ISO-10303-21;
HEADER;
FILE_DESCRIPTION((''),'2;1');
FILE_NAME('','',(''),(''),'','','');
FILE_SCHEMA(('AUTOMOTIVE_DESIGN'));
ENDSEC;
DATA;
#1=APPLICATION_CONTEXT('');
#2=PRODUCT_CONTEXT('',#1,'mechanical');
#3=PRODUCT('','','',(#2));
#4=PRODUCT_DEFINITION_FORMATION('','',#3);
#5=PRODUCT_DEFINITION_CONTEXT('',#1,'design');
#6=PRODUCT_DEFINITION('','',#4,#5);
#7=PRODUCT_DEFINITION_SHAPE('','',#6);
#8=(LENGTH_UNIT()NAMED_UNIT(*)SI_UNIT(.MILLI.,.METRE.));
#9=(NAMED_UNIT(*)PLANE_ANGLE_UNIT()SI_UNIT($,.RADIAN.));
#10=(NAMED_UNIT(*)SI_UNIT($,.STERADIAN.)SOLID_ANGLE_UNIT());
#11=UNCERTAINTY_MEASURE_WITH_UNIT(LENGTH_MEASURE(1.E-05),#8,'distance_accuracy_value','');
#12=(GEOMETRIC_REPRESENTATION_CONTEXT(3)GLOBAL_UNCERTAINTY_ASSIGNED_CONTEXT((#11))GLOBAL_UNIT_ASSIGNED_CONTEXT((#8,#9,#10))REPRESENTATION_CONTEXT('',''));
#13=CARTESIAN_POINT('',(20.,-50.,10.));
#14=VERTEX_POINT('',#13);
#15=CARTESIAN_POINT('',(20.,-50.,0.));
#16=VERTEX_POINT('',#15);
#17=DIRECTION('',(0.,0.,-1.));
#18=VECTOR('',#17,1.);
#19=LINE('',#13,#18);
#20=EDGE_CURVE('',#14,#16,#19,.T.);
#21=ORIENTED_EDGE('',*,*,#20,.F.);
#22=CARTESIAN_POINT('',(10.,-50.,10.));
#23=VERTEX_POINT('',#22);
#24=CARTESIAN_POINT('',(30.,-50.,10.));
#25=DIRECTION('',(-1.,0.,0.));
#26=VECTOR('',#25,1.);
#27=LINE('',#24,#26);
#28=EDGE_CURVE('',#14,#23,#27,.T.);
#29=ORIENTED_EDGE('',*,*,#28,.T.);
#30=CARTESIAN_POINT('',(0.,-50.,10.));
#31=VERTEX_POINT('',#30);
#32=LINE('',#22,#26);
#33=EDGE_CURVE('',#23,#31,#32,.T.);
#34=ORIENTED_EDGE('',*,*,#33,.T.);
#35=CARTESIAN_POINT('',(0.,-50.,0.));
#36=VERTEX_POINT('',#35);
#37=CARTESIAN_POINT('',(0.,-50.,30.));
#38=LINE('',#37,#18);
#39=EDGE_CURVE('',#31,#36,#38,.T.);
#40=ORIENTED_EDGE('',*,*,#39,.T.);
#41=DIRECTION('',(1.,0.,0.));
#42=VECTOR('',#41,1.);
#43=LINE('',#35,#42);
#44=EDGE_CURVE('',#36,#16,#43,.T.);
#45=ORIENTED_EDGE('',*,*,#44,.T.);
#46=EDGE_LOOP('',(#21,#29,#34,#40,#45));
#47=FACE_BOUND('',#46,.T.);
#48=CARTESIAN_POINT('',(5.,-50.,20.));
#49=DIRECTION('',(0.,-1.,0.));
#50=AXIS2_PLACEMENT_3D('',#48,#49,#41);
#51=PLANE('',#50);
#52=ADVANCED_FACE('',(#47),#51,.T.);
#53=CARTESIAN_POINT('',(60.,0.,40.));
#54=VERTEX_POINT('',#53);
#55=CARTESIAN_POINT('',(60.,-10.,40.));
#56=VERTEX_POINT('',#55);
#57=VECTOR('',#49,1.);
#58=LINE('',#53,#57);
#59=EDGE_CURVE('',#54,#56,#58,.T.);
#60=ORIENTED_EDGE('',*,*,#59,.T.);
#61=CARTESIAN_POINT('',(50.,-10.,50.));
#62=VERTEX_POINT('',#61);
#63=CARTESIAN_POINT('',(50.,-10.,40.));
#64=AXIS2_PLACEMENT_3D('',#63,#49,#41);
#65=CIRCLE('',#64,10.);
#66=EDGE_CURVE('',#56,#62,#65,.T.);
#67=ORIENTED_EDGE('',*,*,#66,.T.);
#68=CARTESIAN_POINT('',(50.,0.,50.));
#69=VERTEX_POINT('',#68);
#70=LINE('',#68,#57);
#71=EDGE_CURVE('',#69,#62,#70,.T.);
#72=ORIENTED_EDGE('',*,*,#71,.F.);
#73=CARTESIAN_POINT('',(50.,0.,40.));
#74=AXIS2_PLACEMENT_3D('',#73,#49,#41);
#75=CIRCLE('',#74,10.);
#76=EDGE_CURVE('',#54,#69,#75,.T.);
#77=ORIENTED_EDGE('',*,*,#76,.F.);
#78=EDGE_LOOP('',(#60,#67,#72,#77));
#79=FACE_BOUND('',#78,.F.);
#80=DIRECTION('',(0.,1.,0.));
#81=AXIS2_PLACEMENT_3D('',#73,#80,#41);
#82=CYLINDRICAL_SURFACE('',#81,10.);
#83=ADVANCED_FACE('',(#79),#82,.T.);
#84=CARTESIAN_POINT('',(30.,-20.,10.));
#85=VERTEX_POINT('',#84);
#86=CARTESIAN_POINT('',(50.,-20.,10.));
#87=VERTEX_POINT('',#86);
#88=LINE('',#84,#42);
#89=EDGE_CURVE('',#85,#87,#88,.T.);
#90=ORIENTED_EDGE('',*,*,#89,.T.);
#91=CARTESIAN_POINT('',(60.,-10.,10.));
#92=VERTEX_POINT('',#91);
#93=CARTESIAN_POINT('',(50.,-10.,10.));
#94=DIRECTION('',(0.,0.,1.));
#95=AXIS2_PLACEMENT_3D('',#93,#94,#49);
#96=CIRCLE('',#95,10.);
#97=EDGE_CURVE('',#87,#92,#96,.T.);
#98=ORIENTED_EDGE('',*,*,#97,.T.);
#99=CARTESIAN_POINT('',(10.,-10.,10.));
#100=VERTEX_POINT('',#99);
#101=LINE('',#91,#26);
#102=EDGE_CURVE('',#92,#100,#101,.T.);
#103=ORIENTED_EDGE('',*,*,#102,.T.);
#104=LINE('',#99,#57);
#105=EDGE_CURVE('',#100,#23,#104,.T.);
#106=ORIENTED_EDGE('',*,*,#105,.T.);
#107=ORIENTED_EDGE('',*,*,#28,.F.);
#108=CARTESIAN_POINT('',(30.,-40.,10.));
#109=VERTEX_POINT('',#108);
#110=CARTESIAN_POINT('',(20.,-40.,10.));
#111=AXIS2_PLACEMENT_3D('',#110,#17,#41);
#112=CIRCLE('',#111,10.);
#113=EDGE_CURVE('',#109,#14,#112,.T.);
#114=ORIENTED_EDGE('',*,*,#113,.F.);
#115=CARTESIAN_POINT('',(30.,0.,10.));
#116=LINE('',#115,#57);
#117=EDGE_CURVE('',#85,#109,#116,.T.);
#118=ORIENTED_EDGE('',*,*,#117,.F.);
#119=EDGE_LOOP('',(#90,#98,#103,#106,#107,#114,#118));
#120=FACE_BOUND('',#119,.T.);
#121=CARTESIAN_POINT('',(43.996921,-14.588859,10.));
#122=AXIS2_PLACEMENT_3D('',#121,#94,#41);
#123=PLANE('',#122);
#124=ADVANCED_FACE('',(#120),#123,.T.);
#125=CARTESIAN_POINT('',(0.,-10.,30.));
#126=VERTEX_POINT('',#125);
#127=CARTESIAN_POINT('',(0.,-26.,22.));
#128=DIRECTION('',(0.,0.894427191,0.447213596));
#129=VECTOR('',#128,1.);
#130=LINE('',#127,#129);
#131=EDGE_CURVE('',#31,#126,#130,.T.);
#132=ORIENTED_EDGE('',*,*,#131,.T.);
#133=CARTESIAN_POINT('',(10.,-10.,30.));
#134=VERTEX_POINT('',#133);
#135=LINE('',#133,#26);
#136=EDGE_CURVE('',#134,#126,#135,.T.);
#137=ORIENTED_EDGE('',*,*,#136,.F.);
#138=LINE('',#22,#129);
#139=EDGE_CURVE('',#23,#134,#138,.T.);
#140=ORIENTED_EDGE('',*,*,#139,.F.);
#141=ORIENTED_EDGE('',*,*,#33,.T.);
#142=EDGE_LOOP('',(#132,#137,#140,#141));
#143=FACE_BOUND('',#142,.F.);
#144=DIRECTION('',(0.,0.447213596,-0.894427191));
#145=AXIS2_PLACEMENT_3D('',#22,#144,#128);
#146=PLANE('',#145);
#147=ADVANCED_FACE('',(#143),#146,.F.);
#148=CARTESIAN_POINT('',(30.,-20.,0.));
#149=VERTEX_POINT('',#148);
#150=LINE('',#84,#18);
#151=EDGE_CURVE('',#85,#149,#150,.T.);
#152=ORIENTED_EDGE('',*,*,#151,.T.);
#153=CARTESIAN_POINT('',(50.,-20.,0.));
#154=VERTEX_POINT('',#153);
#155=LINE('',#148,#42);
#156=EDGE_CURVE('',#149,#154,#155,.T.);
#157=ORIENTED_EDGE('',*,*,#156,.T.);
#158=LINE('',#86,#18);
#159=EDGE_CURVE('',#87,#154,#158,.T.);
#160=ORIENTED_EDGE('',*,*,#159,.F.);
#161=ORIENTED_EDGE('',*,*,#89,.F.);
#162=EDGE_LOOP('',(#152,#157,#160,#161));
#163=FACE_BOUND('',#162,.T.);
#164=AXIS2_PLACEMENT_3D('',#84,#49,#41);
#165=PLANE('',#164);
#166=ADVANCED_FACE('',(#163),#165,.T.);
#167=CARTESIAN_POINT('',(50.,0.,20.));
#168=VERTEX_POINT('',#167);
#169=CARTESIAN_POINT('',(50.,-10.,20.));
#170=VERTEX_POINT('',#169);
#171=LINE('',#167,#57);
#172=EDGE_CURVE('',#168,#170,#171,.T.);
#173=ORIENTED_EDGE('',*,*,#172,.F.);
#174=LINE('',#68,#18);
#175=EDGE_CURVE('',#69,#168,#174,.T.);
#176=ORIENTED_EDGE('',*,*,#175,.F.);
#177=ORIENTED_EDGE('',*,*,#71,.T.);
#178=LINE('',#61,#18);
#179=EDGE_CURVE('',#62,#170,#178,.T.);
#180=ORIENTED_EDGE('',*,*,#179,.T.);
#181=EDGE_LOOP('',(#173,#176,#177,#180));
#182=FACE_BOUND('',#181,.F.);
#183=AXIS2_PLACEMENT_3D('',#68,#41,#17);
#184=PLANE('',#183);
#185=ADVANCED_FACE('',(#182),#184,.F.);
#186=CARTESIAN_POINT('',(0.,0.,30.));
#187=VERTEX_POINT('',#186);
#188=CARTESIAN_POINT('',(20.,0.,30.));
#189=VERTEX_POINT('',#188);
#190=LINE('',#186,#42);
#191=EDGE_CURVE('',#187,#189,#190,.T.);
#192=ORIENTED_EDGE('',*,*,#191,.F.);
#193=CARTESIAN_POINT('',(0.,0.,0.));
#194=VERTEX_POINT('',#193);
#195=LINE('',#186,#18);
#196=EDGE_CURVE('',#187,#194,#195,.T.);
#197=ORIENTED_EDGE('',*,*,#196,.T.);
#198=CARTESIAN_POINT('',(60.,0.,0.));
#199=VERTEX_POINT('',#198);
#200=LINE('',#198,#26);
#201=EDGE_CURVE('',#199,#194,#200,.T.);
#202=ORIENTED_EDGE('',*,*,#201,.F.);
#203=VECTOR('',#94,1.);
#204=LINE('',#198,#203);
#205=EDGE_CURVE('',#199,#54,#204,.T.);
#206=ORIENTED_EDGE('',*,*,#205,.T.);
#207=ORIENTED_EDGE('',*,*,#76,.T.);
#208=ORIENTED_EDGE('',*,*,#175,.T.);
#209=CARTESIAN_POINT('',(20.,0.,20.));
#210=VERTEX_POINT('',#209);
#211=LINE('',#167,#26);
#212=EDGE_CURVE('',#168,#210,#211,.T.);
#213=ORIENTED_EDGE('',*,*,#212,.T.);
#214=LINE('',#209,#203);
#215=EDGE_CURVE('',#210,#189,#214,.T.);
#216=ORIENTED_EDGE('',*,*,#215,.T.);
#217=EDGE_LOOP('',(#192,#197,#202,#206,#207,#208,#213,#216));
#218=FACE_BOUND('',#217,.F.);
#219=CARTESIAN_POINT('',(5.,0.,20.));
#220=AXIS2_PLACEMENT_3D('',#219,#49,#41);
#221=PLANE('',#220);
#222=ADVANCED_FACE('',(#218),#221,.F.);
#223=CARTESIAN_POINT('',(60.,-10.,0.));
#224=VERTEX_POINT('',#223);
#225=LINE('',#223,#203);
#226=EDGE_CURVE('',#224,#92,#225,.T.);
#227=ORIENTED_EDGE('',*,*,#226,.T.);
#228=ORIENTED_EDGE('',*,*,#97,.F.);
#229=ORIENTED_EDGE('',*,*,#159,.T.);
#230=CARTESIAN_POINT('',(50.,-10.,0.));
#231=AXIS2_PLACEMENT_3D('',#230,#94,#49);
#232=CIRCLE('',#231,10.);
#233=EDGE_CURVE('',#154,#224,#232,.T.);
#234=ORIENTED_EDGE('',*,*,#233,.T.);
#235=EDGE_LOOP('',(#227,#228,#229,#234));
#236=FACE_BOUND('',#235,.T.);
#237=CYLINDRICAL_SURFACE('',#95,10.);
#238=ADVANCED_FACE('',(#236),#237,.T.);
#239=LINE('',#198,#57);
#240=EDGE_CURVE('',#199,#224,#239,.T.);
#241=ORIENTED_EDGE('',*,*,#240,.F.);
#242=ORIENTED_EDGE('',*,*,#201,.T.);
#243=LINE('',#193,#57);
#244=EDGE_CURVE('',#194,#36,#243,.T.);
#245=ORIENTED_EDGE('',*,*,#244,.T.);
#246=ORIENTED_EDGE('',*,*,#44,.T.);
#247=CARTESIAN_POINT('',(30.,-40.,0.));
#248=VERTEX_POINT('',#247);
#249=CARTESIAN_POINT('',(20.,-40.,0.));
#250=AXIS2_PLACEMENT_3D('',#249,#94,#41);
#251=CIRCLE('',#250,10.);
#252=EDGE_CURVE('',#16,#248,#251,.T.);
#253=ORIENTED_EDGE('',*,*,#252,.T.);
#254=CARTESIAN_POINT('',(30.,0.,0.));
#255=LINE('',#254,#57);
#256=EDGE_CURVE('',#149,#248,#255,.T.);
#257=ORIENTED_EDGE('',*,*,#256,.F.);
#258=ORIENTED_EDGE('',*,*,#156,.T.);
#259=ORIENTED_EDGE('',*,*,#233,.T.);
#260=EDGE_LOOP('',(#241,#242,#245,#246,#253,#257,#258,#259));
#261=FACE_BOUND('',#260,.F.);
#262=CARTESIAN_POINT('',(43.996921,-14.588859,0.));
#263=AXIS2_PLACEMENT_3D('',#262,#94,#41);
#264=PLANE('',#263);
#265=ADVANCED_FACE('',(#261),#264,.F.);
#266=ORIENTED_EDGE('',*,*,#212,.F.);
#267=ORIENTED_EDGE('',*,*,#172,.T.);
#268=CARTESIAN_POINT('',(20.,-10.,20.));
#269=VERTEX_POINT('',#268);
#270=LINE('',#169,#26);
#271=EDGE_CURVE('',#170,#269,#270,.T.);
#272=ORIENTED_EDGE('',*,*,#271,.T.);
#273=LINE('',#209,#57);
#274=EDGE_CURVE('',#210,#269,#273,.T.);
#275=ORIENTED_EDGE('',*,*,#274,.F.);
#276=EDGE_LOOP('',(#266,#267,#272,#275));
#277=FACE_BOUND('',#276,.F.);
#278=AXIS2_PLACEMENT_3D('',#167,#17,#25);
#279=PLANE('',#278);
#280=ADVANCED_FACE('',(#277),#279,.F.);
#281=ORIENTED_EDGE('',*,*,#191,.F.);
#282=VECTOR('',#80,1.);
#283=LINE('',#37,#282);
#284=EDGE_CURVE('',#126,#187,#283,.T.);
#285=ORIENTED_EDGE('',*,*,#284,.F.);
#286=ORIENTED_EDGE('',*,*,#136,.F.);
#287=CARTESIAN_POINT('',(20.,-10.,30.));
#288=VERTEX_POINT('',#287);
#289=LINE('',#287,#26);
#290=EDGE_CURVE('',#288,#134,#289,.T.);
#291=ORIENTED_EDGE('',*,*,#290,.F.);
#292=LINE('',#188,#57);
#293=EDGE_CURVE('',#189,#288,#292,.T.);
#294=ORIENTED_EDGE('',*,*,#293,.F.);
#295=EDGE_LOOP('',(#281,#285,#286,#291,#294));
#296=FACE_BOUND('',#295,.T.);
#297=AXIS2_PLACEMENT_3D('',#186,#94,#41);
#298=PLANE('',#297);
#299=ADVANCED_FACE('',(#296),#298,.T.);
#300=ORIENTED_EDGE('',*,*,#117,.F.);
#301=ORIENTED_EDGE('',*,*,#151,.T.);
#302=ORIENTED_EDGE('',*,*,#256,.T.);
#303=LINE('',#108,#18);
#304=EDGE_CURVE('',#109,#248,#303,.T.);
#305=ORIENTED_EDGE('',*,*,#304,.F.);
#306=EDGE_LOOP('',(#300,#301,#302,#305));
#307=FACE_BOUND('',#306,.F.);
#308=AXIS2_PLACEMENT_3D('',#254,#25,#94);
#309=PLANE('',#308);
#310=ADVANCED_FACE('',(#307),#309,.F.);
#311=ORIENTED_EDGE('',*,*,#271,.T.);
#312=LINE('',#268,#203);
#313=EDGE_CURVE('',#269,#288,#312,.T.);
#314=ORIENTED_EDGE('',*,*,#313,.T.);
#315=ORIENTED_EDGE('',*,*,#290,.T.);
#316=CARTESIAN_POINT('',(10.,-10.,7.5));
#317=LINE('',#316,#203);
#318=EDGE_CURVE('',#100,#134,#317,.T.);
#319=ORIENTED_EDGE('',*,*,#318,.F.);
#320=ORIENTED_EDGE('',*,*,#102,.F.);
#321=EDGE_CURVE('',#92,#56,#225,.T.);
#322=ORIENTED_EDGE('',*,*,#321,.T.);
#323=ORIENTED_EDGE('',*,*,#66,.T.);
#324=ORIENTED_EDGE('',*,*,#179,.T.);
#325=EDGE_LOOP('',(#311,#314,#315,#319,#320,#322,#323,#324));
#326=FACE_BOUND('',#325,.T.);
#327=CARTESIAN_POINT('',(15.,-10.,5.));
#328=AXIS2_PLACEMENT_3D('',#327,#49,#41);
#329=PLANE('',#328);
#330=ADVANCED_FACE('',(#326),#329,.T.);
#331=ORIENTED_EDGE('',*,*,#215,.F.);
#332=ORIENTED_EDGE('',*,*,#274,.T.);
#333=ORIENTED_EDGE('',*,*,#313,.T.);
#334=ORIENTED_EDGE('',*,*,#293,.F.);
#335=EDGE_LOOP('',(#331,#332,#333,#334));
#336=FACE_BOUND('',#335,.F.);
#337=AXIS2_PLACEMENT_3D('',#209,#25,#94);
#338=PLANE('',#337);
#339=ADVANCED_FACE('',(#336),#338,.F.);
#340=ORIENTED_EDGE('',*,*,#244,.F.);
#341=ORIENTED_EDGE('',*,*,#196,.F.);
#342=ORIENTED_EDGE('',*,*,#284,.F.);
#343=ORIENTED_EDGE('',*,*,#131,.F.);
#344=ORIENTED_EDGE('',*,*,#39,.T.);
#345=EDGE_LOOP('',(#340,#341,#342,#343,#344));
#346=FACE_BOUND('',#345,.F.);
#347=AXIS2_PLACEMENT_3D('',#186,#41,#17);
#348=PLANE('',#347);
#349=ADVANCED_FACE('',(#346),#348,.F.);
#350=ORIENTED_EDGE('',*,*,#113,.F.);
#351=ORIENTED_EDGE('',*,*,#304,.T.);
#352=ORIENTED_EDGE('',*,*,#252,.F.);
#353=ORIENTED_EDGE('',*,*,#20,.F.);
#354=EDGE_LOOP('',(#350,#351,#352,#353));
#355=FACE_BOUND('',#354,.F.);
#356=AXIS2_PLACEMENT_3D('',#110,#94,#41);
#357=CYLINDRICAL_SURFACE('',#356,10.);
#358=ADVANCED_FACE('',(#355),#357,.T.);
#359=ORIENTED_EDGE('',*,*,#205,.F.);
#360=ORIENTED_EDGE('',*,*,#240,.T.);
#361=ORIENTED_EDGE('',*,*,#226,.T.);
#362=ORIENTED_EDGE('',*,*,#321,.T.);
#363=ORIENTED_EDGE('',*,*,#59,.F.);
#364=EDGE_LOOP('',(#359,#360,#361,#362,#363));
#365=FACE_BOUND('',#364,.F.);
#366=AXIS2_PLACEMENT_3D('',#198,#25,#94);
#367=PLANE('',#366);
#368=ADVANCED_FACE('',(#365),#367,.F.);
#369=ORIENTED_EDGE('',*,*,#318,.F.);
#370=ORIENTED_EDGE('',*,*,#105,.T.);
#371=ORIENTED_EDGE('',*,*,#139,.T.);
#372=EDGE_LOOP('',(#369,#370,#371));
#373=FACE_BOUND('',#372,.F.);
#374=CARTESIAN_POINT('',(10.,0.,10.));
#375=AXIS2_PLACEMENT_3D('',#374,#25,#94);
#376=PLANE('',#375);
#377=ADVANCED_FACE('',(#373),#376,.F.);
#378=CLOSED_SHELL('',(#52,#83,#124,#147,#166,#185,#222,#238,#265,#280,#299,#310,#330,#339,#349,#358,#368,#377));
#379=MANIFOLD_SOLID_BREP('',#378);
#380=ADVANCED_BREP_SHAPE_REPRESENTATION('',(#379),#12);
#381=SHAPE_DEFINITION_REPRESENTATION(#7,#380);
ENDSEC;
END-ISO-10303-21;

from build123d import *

# Parameters (mm, degrees)
F0_W      = 10
F0_H      = 20
F1_DEPTH  = 50
F0_W_2    = 30
F0_H_2    = 10
F2_DEPTH  = 10
F5_DEPTH  = 10
F7_DEPTH  = 10
F9_DEPTH  = 25
F11_DEPTH = 25


with BuildPart() as f1:
    # F0 (on Front) → F1 (new body)
    with BuildSketch(Plane.XZ):
        with Locations((5, 20)):
            Rectangle(F0_W, F0_H)
        Polygon((0, 10), (0, 0), (30, 0), (30, 10), (10, 10), align=None)
    extrude(amount=F1_DEPTH)

    # F0 (on Front) → F2 (join)
    with BuildSketch(Plane.XZ):
        Polygon((0, 10), (0, 0), (30, 0), (30, 10), (10, 10), align=None)
        with Locations((45, 5)):
            Rectangle(F0_W_2, F0_H_2)
        with Locations((5, 20)):
            Rectangle(F0_W, F0_H)
        with BuildLine():
            Line((10, 10), (30, 10))
            Line((30, 10), (60, 10))
            Line((60, 10), (60, 40))
            ThreePointArc((60, 40), (57.0710678119, 47.0710678119), (50, 50))
            Line((50, 50), (50, 20))
            Line((50, 20), (20, 20))
            Line((20, 20), (20, 30))
            Line((20, 30), (10, 30))
            Line((10, 30), (10, 10))
        make_face()
    extrude(amount=F2_DEPTH)

    # F4 (on face) → F5 (join)
    with BuildSketch(Plane.XY.offset(10)):
        with BuildLine():
            Line((30, -20), (50, -20))
            ThreePointArc((50, -20), (57.0710678119, -17.0710678119), (60, -10))
            Line((60, -10), (30, -10))
            Line((30, -10), (30, -20))
        make_face()
    extrude(amount=-F5_DEPTH)

    # F6 (on face) → F7 (join)
    with BuildSketch(Plane.XY.offset(10)):
        with BuildLine():
            Line((10, -20), (10, -50))
            Line((10, -50), (20, -50))
            ThreePointArc((20, -50), (27.0710678119, -47.0710678119), (30, -40))
            Line((30, -40), (30, -20))
            Line((30, -20), (10, -20))
        make_face()
        with BuildLine():
            ThreePointArc((30, -40), (27.0710678119, -47.0710678119), (20, -50))
            Line((20, -50), (30, -50))
            Line((30, -50), (30, -40))
        make_face()
    extrude(amount=-F7_DEPTH)

    # F8 (on face) → F9 (cut)
    with BuildSketch(Plane.XY.offset(10)):
        with BuildLine():
            Line((20, -50), (30, -50))
            Line((30, -50), (30, -40))
            ThreePointArc((30, -40), (27.0710678119, -47.0710678119), (20, -50))
        make_face()
    extrude(amount=-F9_DEPTH, mode=Mode.SUBTRACT)

    # F10 (on face) → F11 (cut)
    with BuildSketch(Plane.YZ.offset(10)):
        Polygon((-50, 10), (-10, 30), (-50, 30), align=None)
    extrude(amount=-F11_DEPTH, mode=Mode.SUBTRACT)


solid = f1.part
